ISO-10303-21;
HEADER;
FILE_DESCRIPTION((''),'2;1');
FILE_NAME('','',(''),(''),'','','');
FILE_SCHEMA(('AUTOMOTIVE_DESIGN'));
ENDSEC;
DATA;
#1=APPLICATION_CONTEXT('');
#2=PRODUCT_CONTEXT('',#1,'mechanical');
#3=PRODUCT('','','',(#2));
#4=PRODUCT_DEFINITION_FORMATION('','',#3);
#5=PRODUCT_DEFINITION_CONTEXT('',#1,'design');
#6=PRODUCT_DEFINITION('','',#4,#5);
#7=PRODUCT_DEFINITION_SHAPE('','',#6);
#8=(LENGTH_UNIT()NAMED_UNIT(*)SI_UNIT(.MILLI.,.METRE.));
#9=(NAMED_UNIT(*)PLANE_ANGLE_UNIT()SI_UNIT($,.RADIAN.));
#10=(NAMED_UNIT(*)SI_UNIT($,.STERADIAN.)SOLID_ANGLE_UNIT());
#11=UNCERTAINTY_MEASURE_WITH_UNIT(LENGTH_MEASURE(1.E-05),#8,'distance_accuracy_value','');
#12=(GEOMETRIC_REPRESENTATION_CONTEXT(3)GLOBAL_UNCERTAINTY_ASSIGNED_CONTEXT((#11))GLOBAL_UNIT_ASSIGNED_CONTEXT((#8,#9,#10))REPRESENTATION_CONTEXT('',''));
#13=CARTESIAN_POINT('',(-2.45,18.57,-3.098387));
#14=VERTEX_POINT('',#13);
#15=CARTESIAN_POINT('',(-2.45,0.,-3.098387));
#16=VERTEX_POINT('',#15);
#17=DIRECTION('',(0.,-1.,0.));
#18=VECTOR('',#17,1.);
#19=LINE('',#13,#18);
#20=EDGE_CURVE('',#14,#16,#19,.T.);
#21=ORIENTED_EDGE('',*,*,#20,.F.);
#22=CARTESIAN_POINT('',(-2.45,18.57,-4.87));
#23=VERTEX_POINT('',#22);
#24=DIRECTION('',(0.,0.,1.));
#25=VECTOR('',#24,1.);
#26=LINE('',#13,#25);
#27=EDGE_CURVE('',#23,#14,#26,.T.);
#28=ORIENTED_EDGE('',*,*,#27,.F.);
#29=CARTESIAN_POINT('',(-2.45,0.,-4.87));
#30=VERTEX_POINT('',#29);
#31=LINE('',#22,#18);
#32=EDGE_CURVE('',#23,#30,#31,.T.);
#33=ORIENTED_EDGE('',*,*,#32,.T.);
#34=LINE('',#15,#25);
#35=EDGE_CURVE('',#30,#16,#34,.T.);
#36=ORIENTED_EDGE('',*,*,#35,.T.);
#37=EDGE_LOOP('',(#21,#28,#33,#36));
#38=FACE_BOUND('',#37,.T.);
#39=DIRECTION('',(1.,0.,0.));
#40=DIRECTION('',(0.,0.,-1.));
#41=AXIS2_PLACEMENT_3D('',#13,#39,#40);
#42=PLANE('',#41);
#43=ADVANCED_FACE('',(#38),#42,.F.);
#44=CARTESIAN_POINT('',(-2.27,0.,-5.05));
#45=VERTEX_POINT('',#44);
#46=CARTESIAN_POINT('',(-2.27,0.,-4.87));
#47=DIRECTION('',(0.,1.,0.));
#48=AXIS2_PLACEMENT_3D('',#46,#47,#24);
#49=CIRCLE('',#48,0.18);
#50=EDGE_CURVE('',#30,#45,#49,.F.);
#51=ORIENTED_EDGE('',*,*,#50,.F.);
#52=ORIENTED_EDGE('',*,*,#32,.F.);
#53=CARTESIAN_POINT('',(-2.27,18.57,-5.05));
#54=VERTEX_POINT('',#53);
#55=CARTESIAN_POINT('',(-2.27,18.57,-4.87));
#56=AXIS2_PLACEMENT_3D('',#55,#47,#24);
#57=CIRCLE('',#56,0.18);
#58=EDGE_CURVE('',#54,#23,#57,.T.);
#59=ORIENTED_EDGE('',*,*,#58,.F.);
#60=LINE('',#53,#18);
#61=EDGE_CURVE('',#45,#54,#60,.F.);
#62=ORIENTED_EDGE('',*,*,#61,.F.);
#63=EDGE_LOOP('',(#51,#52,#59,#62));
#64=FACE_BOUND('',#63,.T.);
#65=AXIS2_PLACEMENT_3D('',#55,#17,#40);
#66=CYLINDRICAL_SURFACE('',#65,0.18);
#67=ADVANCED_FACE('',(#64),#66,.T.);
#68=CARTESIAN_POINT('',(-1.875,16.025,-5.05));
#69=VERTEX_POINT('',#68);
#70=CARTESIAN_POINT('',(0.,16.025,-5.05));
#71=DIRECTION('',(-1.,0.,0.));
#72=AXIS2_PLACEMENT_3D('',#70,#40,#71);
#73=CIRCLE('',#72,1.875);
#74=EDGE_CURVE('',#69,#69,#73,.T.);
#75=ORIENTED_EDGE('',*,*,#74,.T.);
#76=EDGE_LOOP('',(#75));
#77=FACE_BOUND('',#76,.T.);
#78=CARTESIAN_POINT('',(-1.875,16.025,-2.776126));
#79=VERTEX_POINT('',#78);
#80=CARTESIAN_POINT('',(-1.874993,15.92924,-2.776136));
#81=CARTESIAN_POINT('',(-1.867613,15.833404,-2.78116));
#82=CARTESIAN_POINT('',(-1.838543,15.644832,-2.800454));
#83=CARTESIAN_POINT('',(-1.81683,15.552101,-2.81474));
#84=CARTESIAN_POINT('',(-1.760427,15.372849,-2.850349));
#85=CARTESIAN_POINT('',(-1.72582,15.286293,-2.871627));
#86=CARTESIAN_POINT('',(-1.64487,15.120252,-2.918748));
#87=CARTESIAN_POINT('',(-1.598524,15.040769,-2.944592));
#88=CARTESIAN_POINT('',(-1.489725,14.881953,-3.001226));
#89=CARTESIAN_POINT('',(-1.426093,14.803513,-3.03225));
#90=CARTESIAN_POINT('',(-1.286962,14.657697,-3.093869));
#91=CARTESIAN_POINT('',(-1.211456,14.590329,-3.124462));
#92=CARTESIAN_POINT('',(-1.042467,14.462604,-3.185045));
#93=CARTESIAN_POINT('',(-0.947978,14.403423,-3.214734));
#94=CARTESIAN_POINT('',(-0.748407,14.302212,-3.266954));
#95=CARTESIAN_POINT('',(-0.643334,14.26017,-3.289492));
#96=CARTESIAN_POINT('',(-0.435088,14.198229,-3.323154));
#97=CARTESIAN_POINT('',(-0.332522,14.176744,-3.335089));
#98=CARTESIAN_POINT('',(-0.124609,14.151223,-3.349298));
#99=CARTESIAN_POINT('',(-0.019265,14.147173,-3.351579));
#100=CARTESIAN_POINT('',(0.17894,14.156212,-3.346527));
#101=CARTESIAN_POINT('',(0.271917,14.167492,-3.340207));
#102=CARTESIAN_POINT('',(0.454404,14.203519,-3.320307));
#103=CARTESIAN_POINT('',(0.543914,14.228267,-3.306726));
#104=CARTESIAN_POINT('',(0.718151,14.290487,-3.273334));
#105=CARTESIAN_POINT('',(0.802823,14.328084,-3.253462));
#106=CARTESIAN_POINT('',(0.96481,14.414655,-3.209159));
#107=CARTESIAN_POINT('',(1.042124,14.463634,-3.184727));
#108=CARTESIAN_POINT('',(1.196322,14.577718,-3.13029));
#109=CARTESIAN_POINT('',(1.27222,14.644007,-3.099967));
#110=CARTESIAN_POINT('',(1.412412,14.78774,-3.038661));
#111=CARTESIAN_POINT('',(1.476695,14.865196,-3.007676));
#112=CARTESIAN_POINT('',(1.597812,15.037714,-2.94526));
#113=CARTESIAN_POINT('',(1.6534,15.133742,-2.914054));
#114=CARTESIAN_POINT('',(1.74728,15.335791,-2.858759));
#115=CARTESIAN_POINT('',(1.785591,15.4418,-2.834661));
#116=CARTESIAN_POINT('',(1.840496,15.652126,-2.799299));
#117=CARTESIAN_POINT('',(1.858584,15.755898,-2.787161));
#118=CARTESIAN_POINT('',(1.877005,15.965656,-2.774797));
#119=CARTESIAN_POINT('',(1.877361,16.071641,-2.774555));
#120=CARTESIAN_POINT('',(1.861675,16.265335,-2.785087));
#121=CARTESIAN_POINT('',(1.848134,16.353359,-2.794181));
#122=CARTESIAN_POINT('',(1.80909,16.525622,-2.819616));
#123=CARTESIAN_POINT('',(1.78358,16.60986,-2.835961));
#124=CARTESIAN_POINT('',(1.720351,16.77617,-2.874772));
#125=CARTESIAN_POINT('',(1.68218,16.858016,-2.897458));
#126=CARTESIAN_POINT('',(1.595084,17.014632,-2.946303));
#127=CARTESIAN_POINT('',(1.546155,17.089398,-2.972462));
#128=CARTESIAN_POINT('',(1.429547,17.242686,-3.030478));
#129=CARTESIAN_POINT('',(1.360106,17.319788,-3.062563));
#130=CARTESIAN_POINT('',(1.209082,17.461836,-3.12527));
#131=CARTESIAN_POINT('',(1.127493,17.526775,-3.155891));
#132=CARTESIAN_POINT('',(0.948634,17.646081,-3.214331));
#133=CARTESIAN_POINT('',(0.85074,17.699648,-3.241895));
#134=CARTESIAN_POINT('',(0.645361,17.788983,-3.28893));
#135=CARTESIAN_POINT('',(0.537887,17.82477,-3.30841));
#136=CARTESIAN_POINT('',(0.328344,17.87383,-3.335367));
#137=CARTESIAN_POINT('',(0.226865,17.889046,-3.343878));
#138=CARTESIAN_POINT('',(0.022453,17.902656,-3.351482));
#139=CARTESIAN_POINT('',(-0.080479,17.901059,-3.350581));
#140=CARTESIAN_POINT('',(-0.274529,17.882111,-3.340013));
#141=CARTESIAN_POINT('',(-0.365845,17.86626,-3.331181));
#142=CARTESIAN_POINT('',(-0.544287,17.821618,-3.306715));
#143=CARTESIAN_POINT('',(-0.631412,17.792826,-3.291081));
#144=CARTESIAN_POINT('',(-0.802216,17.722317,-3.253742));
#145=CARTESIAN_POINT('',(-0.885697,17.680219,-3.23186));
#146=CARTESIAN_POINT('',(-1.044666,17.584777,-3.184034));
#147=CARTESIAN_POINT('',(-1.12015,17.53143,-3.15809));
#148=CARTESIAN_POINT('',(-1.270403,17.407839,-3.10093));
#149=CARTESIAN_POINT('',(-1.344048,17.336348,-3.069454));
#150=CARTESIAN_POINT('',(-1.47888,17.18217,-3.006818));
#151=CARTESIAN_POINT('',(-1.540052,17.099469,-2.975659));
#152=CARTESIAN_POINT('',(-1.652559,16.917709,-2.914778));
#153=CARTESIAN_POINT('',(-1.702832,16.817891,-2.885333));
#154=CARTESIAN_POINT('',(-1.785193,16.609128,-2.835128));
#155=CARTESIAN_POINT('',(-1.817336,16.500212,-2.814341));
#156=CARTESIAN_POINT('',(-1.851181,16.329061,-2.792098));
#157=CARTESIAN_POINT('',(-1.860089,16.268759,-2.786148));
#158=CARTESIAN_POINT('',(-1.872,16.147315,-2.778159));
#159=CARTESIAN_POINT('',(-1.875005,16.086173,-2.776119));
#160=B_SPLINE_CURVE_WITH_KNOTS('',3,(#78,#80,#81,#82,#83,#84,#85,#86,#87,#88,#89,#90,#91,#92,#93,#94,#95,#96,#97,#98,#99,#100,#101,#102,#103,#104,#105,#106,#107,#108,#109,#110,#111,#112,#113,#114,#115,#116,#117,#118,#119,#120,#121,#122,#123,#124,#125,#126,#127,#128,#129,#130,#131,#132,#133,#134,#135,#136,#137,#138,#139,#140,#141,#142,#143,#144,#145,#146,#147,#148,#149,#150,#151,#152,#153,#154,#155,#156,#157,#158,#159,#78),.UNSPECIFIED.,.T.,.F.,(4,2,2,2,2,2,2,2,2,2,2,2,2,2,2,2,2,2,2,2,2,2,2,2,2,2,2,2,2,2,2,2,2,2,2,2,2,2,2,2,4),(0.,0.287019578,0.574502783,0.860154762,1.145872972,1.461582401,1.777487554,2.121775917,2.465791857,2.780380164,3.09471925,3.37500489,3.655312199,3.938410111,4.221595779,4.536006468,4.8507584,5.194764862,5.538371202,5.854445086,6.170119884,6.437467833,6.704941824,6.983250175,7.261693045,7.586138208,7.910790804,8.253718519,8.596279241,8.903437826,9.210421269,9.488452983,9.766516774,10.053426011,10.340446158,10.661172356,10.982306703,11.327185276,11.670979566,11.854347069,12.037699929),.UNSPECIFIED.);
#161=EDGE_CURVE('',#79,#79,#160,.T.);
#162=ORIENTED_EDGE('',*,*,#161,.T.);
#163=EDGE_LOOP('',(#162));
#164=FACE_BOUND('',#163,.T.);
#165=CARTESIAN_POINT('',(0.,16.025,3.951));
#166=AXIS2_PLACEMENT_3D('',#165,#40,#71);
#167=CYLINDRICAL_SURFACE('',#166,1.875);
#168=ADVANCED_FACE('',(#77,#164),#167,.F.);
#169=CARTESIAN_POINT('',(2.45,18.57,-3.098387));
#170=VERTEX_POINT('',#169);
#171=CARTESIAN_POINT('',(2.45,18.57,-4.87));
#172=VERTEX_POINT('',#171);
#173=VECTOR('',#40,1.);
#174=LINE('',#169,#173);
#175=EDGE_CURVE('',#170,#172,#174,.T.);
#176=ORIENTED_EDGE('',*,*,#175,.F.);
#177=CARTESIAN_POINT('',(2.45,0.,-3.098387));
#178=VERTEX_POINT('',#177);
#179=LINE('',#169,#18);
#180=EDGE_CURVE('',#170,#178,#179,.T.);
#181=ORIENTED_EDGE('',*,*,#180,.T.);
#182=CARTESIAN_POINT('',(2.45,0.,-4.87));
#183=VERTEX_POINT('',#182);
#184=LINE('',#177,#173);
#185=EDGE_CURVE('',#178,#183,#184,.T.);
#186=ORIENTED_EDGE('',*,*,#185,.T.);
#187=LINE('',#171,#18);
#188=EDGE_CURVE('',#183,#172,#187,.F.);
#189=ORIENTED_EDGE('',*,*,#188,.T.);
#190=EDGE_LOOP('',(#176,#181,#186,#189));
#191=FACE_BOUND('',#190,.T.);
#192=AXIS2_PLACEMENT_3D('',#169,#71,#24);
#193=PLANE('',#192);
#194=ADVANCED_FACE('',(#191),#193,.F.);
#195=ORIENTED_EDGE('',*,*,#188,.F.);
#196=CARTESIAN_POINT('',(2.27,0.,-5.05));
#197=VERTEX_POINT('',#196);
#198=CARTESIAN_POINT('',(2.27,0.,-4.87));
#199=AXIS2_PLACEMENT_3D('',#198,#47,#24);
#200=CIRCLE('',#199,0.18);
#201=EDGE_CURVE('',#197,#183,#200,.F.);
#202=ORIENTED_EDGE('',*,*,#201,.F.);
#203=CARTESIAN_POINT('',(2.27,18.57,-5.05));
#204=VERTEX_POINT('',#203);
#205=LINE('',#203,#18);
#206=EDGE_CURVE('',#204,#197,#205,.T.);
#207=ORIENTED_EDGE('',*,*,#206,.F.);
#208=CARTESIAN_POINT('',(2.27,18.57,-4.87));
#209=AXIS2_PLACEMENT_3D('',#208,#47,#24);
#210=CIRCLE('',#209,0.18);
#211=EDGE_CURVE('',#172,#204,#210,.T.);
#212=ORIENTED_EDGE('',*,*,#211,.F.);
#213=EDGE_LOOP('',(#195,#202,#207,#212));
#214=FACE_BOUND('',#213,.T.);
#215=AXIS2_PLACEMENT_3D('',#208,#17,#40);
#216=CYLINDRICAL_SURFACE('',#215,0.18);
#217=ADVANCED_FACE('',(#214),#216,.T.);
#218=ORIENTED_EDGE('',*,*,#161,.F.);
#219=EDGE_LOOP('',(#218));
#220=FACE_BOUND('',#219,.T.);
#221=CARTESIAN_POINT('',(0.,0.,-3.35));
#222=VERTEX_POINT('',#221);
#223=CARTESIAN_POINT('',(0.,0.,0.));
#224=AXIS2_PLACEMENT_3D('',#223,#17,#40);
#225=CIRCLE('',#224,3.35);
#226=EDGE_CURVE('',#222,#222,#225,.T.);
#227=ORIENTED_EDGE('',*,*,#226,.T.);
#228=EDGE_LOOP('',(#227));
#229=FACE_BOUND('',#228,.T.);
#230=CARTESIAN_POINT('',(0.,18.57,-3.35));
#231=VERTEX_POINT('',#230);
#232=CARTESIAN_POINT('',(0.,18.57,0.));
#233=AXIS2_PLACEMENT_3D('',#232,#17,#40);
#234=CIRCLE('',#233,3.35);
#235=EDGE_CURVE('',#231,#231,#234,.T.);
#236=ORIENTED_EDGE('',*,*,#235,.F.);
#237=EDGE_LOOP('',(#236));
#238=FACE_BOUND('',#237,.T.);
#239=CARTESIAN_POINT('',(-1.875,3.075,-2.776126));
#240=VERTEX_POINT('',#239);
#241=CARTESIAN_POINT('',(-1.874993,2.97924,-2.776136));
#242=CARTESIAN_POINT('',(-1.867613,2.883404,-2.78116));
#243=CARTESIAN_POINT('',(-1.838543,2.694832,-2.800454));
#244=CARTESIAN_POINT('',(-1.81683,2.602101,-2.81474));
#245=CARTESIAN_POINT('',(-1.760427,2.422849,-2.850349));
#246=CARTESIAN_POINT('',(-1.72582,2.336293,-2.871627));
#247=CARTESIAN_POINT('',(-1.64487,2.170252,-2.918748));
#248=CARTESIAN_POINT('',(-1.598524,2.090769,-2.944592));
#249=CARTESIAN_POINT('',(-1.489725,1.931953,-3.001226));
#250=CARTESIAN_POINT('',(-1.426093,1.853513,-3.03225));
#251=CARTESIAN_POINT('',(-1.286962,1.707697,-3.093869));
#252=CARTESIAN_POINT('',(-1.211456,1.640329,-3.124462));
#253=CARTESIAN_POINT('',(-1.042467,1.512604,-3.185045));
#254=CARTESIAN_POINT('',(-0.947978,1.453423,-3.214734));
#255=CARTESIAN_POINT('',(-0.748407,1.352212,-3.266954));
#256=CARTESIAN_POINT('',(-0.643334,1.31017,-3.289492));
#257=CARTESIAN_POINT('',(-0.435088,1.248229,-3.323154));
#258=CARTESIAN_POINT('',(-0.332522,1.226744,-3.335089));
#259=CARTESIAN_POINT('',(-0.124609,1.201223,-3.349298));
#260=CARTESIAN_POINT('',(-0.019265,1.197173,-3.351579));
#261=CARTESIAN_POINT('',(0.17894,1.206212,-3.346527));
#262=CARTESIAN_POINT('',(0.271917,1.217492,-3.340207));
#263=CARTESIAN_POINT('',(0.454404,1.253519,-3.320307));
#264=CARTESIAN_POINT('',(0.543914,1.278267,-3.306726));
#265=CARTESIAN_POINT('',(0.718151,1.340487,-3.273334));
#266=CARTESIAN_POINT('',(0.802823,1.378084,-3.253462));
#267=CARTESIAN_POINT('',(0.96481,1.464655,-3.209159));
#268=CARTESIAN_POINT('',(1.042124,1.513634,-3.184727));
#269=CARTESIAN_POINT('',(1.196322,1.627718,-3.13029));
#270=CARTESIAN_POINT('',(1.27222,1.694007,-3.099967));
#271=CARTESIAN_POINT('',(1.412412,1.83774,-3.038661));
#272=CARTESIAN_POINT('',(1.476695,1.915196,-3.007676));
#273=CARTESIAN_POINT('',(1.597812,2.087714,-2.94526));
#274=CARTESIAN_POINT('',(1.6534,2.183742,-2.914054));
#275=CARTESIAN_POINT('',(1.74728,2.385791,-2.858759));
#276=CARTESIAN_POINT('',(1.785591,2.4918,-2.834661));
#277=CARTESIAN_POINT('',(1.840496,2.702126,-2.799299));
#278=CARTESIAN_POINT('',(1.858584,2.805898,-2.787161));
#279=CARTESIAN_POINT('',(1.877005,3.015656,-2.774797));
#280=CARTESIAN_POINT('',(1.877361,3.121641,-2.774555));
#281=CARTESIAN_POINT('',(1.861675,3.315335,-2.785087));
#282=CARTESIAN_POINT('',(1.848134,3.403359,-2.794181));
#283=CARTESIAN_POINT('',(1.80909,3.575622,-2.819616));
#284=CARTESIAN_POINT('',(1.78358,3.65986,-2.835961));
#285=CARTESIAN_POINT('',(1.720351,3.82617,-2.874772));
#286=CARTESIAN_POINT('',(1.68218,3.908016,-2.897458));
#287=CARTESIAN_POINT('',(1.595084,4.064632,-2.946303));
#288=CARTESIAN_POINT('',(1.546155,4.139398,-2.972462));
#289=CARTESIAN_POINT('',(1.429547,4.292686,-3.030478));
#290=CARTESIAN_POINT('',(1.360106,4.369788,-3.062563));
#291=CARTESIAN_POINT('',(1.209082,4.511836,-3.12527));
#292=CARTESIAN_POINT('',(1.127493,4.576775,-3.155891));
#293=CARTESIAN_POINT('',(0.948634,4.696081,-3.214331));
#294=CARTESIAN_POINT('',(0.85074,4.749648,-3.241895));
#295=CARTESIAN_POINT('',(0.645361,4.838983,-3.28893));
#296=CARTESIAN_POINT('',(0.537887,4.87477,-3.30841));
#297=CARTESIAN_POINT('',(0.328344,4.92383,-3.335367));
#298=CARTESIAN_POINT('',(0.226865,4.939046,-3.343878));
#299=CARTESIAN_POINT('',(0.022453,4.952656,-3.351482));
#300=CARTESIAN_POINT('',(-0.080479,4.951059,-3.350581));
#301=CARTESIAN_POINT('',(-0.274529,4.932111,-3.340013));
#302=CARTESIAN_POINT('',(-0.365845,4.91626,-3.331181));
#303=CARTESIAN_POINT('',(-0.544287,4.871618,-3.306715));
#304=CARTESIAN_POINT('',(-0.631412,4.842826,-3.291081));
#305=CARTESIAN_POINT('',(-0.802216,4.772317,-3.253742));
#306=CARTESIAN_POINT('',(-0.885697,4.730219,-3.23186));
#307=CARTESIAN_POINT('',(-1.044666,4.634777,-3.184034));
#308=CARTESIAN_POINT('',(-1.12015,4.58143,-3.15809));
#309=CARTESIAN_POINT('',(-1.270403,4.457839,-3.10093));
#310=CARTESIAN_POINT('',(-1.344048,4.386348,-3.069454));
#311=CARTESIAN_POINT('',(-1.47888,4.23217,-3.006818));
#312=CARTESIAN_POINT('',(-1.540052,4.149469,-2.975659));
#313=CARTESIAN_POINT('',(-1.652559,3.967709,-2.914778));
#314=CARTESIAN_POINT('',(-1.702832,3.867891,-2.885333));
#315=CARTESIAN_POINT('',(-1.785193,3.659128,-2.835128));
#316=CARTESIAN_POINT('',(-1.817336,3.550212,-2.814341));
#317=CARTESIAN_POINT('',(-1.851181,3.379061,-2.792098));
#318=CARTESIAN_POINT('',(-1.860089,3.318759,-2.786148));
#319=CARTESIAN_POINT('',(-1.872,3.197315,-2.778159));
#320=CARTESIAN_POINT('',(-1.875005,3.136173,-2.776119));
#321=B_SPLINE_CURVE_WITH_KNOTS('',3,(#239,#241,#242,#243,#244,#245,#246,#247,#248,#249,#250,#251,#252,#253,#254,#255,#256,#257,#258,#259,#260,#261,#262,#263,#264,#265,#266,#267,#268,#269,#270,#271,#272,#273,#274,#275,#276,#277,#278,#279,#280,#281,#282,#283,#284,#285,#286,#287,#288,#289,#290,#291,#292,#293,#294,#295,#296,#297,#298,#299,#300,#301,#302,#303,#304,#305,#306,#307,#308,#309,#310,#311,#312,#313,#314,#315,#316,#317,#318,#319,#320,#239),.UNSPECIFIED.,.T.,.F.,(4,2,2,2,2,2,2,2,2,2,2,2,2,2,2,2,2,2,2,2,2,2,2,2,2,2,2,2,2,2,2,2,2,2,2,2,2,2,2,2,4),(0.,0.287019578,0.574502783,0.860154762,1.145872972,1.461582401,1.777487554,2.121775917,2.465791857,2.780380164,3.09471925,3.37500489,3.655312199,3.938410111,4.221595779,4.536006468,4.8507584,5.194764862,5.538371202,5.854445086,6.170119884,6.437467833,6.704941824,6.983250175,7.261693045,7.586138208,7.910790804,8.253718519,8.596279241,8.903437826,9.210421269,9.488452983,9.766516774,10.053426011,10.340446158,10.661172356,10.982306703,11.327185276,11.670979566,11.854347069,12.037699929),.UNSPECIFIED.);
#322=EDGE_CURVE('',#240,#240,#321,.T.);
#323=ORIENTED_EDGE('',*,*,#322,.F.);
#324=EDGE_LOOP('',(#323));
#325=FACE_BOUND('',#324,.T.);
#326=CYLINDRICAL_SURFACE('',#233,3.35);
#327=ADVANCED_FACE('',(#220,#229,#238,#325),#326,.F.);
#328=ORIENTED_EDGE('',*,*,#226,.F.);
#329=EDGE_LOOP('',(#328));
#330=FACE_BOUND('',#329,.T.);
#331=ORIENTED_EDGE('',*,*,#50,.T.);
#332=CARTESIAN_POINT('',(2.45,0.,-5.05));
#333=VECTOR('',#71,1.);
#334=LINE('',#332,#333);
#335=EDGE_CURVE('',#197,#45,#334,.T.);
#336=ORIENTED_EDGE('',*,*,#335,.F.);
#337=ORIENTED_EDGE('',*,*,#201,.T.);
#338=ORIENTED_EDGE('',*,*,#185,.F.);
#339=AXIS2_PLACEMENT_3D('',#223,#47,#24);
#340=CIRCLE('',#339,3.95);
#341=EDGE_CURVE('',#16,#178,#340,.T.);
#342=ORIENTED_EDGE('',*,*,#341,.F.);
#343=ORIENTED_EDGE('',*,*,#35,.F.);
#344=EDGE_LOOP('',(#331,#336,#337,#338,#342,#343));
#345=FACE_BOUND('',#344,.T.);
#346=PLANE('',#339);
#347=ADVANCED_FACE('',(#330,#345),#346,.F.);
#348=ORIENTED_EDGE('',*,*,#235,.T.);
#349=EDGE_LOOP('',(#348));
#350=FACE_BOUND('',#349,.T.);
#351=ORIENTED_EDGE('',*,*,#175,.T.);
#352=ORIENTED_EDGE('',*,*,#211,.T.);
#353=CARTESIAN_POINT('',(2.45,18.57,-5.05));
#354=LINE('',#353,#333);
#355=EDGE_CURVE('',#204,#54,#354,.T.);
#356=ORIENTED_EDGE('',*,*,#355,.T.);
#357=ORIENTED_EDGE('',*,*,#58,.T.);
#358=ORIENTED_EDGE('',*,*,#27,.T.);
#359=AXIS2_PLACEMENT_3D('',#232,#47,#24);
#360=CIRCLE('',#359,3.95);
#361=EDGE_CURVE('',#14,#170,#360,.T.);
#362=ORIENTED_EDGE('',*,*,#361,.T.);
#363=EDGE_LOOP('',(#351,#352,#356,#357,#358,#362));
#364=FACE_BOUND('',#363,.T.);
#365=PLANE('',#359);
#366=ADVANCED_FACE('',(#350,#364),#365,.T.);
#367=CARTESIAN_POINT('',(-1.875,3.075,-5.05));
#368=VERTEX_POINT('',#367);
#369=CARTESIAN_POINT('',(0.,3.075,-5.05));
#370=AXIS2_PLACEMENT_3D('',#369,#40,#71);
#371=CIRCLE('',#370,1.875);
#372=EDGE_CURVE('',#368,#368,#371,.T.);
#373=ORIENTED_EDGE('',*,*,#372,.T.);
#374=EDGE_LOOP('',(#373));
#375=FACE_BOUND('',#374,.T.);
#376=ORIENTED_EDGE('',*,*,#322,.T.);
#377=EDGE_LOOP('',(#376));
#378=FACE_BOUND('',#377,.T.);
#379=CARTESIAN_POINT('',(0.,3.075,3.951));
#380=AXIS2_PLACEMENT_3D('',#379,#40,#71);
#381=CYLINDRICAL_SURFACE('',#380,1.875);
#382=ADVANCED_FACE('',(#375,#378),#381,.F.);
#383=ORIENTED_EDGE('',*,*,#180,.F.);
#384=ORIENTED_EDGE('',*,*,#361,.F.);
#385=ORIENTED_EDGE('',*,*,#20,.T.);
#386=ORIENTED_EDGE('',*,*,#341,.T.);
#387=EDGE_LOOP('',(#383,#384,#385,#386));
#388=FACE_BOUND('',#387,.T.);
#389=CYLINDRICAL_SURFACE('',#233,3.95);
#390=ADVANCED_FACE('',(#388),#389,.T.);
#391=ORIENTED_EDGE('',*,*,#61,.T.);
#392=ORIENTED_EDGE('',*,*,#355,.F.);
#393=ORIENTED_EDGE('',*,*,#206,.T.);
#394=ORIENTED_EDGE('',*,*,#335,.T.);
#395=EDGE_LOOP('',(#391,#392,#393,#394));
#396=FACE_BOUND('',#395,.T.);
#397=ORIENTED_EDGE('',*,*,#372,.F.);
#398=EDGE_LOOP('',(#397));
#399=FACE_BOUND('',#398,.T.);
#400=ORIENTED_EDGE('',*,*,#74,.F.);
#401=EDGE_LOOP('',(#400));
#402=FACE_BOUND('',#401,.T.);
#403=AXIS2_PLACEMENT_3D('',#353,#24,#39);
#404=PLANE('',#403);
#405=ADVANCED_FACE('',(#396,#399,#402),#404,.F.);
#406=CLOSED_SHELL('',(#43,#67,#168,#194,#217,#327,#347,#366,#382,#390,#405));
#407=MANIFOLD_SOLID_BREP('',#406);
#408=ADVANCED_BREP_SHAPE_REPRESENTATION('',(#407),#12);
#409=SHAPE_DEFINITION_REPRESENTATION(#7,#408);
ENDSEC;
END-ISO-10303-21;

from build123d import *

# Parameters (mm, degrees)
BOSS_EXTRUDE1_DEPTH     = 18.57
SKETCH2_R               = 3.35
CUT_EXTRUDE1_DEPTH      = 18.57
CUT_EXTRUDE2_REACH      = 23.011
CUT_EXTRUDE2_END_RADIUS = 3.35
SKETCH3_R               = 1.875
FILLET1_R               = 0.18


with BuildPart() as part:
    # Sketch1 → Boss-Extrude1 (new body)
    with BuildSketch(Plane(origin=(0, 0, 0), x_dir=(1, 0, 0), z_dir=(0, 1, 0))):
        with BuildLine():
            Line((2.45, 3.098386677), (2.45, 5.05))
            Line((2.45, 5.05), (-2.45, 5.05))
            Line((-2.45, 5.05), (-2.45, 3.098386677))
            ThreePointArc((-2.45, 3.098386677), (0, -3.95), (2.45, 3.098386677))
        make_face()
    extrude(amount=BOSS_EXTRUDE1_DEPTH)

    # Sketch2 → Cut-Extrude1 (cut)
    with BuildSketch(Plane.XZ):
        with Locations(Location((0, 0, 0), (0, 0, 270))):
            Circle(SKETCH2_R)
    extrude(amount=-CUT_EXTRUDE1_DEPTH, mode=Mode.SUBTRACT)

    # Cut-Extrude2: up to this cylinder (the profile starts outside it)
    cut_extrude2_end = Plane(origin=(0, 9.55, 0), z_dir=(0, -1, 0)) * Cylinder(CUT_EXTRUDE2_END_RADIUS, 66.672, mode=Mode.PRIVATE)
    # Sketch3 → Cut-Extrude2 (cut, up to the surface)
    with BuildSketch(Plane(origin=(0, 0, -5.05), x_dir=(-1, 0, 0), z_dir=(0, 0, -1)), mode=Mode.PRIVATE) as cut_extrude2_sk1:
        with Locations((0, 16.025)):
            Circle(SKETCH3_R)
    cut_extrude2_tool1 = extrude(cut_extrude2_sk1.sketch, amount=-CUT_EXTRUDE2_REACH, mode=Mode.PRIVATE) - cut_extrude2_end
    add(cut_extrude2_tool1.solids().sort_by_distance((0, 16.025, -5.05))[0], mode=Mode.SUBTRACT)
    # Sketch3 → Cut-Extrude2 (cut, up to the surface)
    with BuildSketch(Plane(origin=(0, 0, -5.05), x_dir=(-1, 0, 0), z_dir=(0, 0, -1)), mode=Mode.PRIVATE) as cut_extrude2_sk2:
        with Locations((0, 3.075)):
            Circle(SKETCH3_R)
    cut_extrude2_tool2 = extrude(cut_extrude2_sk2.sketch, amount=-CUT_EXTRUDE2_REACH, mode=Mode.PRIVATE) - cut_extrude2_end
    add(cut_extrude2_tool2.solids().sort_by_distance((0, 3.075, -5.05))[0], mode=Mode.SUBTRACT)

    # Fillet1
    fillet1_edges = [part.edges().sort_by_distance(p)[0] for p in [
        (-2.45, 9.285, -5.05),
        (2.45, 9.285, -5.05),
    ]]
    fillet(fillet1_edges, radius=FILLET1_R)


solid = part.part
